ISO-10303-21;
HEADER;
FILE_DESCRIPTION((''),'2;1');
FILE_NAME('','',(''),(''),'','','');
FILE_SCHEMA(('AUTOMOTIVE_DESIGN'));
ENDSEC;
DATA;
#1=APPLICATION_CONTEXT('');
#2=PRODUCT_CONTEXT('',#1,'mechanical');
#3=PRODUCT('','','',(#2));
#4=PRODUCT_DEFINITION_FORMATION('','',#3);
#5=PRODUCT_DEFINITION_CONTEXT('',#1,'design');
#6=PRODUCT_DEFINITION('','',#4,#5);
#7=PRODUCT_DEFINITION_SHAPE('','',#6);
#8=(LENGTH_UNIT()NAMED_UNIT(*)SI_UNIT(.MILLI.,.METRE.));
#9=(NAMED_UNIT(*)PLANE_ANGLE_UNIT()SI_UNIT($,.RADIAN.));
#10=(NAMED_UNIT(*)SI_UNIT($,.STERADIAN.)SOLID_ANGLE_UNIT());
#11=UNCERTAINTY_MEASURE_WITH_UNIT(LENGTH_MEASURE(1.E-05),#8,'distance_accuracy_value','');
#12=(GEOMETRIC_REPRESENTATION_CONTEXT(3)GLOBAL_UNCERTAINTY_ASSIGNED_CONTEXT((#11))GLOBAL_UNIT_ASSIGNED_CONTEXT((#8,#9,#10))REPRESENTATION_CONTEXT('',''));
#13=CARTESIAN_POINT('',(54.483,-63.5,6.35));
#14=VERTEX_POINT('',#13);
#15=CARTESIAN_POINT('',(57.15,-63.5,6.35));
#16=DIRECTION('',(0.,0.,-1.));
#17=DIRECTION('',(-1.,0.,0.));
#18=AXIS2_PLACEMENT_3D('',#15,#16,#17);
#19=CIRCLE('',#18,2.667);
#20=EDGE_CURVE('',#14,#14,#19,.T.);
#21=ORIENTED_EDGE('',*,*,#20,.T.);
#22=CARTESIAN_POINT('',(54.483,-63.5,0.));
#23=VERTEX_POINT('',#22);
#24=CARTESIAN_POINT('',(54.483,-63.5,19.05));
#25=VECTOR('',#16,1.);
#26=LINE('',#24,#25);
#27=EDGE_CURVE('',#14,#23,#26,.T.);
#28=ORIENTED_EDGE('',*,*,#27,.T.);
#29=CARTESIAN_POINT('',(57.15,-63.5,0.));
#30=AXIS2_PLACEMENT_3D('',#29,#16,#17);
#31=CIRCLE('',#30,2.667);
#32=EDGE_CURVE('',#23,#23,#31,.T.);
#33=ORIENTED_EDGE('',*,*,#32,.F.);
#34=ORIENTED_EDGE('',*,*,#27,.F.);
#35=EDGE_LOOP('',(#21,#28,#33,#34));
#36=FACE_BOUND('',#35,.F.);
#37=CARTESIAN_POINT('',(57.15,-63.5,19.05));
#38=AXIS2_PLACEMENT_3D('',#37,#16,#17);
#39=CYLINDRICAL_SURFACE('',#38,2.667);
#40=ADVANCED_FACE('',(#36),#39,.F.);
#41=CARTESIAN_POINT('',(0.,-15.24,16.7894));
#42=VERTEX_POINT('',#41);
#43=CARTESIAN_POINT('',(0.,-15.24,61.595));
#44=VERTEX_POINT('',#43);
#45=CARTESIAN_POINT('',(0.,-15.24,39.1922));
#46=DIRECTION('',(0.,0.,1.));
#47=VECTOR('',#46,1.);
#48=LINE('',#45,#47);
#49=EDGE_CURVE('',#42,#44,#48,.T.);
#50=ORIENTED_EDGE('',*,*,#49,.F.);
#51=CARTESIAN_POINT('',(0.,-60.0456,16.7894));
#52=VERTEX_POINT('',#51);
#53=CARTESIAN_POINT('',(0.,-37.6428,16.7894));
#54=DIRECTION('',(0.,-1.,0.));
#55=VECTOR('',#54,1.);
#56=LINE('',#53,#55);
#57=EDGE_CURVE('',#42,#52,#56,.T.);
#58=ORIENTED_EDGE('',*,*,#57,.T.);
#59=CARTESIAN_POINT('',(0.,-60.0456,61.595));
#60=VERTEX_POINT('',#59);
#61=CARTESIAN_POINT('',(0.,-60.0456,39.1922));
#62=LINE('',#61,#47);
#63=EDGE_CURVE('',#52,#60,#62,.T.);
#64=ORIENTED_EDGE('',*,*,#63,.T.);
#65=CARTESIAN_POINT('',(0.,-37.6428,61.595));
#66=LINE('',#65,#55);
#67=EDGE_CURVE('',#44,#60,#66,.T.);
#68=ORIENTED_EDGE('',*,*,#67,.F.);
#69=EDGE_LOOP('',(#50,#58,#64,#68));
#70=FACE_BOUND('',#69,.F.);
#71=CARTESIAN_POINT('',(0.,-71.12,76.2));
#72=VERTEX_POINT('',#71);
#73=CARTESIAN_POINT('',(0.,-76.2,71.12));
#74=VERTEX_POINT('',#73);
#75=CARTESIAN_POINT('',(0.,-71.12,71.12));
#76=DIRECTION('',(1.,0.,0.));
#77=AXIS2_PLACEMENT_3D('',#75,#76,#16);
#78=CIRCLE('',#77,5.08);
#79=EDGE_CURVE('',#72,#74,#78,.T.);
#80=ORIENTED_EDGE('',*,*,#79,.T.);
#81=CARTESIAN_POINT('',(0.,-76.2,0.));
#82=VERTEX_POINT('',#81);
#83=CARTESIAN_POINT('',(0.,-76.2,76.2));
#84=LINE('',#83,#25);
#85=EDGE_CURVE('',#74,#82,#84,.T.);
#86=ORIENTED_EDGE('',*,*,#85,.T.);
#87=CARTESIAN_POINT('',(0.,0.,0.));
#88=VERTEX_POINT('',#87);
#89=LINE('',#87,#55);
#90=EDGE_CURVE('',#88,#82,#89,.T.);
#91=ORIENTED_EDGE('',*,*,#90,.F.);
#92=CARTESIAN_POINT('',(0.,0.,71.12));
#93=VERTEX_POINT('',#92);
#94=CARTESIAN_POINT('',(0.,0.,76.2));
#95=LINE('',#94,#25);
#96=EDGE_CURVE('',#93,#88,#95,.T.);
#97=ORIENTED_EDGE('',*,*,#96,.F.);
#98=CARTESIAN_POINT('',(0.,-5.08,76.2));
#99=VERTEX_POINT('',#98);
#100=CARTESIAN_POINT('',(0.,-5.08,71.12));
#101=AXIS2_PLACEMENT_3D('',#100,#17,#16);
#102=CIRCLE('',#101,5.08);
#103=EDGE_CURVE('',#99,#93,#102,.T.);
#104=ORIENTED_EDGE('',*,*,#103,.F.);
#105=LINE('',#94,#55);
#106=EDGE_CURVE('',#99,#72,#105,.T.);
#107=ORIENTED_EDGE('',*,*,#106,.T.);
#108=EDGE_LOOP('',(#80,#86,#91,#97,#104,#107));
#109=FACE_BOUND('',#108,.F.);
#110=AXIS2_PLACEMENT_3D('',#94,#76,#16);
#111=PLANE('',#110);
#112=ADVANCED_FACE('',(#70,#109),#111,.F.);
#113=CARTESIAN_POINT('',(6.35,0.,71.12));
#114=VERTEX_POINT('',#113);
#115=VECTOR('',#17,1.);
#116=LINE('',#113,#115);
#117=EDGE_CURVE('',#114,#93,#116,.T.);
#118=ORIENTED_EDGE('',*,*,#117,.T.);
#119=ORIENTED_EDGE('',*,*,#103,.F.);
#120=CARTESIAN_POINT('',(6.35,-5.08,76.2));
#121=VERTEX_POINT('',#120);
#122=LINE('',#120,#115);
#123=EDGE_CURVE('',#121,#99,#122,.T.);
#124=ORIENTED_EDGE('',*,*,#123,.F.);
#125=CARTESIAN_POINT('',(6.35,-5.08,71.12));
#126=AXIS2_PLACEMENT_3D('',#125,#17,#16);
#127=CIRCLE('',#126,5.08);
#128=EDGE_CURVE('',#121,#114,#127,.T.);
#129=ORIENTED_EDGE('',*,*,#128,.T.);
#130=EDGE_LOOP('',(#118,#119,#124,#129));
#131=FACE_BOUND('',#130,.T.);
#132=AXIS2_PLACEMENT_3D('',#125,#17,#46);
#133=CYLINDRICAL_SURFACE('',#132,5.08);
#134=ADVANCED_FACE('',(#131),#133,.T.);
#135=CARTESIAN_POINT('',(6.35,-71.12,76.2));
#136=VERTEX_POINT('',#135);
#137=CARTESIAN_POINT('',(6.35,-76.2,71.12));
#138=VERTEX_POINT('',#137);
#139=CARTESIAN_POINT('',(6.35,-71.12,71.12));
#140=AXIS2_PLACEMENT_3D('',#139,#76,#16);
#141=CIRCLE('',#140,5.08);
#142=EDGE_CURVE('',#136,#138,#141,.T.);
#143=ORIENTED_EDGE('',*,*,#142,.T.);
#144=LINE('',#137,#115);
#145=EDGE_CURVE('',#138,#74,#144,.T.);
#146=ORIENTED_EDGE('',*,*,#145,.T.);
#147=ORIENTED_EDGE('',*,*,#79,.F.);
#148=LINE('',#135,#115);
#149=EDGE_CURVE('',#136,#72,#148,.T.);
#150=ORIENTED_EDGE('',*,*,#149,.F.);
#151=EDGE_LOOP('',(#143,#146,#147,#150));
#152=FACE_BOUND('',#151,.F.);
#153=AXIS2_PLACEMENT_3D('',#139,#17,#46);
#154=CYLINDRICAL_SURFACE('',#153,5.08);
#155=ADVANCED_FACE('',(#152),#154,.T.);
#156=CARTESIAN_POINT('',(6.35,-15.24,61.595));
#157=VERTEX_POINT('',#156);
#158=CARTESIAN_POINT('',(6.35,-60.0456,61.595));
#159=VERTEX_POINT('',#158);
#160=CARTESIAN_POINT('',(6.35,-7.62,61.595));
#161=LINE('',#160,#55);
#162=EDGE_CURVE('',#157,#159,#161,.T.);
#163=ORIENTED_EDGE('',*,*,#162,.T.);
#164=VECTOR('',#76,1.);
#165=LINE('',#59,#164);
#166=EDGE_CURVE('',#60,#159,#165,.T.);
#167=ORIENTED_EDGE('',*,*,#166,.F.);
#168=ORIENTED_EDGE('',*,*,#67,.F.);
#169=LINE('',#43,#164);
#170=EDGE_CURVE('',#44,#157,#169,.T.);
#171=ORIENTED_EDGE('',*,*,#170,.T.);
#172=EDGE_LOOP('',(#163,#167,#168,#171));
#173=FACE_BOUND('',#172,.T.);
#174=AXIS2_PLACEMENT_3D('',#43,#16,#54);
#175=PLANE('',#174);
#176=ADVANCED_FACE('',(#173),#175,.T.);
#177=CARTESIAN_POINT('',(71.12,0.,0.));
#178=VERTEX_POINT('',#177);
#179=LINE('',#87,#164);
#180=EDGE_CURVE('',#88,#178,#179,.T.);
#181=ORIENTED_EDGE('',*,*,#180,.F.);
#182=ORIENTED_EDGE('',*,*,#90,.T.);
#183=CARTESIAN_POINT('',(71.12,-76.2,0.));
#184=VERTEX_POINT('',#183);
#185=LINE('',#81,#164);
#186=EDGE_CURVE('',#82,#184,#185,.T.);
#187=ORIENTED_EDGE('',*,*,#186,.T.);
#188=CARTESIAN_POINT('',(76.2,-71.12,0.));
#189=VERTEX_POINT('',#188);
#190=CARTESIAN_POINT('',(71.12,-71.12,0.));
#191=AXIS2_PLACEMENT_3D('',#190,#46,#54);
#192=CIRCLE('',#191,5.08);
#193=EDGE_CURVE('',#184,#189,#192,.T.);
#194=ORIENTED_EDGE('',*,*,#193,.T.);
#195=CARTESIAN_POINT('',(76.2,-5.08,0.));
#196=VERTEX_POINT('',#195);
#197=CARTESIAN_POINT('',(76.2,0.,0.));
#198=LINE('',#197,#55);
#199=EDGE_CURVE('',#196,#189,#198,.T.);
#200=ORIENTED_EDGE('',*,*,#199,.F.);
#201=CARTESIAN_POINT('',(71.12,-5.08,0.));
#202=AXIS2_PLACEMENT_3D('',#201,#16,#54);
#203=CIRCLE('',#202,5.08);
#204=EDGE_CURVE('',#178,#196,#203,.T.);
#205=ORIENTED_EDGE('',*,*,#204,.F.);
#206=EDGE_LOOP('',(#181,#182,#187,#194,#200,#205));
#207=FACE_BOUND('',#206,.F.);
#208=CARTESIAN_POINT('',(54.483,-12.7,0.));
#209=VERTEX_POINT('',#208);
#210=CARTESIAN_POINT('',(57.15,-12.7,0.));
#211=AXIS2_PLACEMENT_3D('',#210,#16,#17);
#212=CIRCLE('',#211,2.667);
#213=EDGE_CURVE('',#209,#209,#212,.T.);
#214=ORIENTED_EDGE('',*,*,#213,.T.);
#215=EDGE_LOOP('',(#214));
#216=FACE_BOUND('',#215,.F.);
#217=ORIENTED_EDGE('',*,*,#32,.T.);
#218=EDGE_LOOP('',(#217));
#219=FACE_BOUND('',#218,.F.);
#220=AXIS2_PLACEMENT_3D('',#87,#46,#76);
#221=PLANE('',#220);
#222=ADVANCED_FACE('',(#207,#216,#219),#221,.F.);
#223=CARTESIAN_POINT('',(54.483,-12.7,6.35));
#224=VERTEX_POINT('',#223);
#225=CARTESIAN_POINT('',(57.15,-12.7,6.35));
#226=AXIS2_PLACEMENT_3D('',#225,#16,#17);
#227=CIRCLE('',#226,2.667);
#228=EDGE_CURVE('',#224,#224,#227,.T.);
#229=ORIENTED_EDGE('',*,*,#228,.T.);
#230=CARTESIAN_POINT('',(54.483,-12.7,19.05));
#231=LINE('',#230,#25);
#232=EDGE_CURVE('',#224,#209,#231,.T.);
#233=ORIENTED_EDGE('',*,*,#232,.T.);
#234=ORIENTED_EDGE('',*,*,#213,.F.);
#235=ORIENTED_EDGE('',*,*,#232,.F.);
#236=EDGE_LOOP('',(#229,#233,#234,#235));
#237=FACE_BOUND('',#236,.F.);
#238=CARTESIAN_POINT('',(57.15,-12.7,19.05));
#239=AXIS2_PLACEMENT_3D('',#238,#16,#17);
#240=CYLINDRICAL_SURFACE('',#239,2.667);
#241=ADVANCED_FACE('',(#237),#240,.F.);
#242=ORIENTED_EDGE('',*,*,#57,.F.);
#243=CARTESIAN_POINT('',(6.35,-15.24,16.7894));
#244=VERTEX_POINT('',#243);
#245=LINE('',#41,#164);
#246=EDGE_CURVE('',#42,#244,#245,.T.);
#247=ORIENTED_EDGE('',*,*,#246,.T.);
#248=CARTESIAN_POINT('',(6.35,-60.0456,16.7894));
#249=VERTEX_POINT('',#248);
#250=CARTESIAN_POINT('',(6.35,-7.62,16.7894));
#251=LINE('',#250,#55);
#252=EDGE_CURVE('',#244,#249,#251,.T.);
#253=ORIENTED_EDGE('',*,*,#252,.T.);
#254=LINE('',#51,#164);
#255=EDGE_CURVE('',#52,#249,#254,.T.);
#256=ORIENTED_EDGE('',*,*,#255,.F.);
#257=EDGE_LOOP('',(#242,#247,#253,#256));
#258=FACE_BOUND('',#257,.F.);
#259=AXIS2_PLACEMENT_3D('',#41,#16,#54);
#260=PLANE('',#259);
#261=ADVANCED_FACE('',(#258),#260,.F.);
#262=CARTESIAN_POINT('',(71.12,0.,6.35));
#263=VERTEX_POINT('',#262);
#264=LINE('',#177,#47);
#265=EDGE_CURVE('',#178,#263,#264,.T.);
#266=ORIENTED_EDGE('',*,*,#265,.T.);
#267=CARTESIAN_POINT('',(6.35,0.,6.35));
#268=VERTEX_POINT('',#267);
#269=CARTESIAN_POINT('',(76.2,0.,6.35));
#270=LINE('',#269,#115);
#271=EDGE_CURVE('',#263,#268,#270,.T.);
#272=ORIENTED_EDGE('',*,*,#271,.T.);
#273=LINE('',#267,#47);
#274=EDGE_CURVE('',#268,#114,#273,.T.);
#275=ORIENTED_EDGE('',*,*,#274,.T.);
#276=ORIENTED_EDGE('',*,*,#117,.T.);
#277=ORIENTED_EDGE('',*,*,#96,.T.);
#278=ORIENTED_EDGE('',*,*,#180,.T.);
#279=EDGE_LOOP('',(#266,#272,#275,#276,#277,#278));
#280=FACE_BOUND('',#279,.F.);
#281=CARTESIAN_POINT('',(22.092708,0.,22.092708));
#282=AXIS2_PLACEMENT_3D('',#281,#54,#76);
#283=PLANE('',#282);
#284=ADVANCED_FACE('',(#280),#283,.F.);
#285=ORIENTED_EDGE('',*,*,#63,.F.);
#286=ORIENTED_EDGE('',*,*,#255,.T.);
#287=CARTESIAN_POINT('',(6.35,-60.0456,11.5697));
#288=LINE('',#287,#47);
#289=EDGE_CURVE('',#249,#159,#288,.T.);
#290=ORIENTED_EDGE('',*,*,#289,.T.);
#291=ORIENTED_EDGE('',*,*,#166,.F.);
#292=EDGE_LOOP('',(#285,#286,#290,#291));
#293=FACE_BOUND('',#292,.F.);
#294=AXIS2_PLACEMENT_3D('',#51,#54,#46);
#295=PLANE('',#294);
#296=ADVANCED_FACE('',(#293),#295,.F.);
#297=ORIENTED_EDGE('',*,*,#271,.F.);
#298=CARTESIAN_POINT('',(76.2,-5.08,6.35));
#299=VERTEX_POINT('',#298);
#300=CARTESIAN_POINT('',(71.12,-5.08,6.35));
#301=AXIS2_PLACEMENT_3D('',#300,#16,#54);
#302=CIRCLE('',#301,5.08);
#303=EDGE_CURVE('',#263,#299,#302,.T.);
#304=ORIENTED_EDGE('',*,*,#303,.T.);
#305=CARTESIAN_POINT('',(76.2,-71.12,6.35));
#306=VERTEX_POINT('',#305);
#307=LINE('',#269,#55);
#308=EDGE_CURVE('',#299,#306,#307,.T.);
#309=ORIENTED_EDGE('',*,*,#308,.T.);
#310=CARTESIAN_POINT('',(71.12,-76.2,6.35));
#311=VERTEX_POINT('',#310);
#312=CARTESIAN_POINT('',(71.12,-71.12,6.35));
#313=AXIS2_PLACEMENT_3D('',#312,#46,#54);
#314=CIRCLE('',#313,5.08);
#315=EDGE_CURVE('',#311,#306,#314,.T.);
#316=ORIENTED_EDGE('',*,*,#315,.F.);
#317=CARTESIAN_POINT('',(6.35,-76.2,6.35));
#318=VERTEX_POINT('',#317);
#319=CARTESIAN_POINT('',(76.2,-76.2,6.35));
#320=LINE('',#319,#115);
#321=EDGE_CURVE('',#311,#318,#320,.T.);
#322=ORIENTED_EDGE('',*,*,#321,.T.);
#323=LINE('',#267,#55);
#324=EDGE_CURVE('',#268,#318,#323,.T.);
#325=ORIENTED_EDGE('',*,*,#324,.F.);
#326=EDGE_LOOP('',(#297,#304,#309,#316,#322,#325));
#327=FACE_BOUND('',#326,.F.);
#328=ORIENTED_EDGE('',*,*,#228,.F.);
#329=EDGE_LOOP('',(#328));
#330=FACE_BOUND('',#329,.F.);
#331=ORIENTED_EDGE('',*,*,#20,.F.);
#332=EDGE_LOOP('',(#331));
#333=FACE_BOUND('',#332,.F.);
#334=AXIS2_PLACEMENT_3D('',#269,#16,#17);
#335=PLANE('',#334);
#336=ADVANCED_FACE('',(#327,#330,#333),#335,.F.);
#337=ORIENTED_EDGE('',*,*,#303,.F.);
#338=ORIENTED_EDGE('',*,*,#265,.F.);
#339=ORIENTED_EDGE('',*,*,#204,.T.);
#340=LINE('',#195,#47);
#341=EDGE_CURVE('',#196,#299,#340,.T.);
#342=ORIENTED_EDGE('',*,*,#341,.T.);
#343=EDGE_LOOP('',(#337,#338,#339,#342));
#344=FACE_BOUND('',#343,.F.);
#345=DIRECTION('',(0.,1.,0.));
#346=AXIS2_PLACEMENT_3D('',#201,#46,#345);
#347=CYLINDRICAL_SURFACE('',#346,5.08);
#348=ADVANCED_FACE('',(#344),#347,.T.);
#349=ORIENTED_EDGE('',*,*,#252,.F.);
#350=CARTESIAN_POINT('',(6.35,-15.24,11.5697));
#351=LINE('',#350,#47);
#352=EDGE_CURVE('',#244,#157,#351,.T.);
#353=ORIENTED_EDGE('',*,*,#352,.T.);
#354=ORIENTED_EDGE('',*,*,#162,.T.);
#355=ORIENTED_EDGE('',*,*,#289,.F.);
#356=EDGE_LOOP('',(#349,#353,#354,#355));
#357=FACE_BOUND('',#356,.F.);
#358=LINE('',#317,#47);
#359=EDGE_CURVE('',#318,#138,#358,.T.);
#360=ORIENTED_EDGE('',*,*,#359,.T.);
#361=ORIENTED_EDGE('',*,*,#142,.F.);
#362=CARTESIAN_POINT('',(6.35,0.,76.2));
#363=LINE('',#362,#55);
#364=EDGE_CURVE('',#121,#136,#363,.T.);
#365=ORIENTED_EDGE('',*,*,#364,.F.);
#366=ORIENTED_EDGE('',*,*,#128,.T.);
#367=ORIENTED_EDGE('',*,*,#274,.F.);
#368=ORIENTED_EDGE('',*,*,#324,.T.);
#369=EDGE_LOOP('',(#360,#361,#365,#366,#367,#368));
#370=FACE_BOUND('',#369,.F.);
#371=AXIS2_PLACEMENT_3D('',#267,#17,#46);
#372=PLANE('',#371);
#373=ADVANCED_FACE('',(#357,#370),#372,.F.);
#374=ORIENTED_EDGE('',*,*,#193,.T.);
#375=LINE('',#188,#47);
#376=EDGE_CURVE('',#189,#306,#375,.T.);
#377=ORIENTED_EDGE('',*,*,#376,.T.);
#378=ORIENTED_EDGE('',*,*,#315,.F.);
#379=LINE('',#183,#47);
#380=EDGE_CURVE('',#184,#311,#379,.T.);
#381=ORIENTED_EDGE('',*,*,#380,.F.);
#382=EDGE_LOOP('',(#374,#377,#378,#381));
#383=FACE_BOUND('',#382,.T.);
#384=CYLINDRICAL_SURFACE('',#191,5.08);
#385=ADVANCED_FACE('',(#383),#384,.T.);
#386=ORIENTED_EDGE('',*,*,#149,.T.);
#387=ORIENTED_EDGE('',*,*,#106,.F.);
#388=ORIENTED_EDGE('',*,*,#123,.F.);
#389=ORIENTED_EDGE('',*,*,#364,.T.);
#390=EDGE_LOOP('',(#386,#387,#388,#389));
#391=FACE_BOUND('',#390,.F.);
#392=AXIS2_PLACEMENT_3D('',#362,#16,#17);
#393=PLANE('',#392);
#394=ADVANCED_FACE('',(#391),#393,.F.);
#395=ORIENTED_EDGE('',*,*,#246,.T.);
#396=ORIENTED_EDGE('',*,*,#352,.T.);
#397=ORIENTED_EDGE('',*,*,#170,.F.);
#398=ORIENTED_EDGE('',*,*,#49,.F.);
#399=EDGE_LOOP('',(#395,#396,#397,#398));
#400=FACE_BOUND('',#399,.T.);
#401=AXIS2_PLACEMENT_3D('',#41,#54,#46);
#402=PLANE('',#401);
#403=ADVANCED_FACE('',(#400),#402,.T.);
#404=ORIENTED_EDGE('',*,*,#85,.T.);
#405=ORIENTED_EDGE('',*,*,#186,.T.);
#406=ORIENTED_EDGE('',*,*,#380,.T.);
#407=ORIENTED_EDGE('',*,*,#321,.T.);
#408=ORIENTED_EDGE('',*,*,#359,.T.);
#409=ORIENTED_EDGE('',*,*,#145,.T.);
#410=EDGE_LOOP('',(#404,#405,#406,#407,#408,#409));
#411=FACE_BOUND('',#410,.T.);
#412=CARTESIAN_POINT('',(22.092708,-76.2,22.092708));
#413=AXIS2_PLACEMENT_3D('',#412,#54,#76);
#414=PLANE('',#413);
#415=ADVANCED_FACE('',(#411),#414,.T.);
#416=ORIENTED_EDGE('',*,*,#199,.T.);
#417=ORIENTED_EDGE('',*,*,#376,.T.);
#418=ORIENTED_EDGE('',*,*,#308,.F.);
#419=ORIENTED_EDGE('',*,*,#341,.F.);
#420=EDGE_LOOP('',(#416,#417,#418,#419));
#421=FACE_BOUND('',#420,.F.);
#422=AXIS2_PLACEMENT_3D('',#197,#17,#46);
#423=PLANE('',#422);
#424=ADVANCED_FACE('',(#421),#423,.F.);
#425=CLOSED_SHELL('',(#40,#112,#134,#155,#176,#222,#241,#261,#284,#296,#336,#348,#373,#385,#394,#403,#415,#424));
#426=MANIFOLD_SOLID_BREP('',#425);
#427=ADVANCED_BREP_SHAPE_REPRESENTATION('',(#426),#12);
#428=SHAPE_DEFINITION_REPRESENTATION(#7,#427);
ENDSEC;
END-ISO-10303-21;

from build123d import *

# Parameters (mm, degrees)
F1_DEPTH = 76.2
F2_W     = 44.8056
F2_H     = 44.8056
F3_DEPTH = 25.4
F5_D     = 5.334
F5_DEPTH = 12.7
F6_R     = 5.08


with BuildPart() as f1:
    # F0 (on Front) → F1 (new body)
    with BuildSketch(Plane.XZ):
        Polygon((0, 76.2), (0, 0), (76.2, 0), (76.2, 6.35), (6.35, 6.35), (6.35, 76.2), align=None)
    extrude(amount=F1_DEPTH)

    # F2 (on face) → F3 (cut)
    with BuildSketch(Plane(origin=(0, 0, 0), x_dir=(0, -1, 0), z_dir=(-1, 0, 0))):
        with Locations((37.6428, 39.1922)):
            Rectangle(F2_W, F2_H)
    extrude(amount=-F3_DEPTH, mode=Mode.SUBTRACT)

    # F5
    with Locations(Plane.XY.offset(6.35)):
        with Locations((57.15, -12.7), (57.15, -63.5)):
            Hole(F5_D / 2, depth=F5_DEPTH)

    # F6
    f6_edges = [f1.edges().sort_by_distance(p)[0] for p in [
        (3.175, 0, 76.2),
        (3.175, -76.2, 76.2),
        (76.2, -76.2, 3.175),
        (76.2, 0, 3.175),
    ]]
    fillet(f6_edges, radius=F6_R)


solid = f1.part
